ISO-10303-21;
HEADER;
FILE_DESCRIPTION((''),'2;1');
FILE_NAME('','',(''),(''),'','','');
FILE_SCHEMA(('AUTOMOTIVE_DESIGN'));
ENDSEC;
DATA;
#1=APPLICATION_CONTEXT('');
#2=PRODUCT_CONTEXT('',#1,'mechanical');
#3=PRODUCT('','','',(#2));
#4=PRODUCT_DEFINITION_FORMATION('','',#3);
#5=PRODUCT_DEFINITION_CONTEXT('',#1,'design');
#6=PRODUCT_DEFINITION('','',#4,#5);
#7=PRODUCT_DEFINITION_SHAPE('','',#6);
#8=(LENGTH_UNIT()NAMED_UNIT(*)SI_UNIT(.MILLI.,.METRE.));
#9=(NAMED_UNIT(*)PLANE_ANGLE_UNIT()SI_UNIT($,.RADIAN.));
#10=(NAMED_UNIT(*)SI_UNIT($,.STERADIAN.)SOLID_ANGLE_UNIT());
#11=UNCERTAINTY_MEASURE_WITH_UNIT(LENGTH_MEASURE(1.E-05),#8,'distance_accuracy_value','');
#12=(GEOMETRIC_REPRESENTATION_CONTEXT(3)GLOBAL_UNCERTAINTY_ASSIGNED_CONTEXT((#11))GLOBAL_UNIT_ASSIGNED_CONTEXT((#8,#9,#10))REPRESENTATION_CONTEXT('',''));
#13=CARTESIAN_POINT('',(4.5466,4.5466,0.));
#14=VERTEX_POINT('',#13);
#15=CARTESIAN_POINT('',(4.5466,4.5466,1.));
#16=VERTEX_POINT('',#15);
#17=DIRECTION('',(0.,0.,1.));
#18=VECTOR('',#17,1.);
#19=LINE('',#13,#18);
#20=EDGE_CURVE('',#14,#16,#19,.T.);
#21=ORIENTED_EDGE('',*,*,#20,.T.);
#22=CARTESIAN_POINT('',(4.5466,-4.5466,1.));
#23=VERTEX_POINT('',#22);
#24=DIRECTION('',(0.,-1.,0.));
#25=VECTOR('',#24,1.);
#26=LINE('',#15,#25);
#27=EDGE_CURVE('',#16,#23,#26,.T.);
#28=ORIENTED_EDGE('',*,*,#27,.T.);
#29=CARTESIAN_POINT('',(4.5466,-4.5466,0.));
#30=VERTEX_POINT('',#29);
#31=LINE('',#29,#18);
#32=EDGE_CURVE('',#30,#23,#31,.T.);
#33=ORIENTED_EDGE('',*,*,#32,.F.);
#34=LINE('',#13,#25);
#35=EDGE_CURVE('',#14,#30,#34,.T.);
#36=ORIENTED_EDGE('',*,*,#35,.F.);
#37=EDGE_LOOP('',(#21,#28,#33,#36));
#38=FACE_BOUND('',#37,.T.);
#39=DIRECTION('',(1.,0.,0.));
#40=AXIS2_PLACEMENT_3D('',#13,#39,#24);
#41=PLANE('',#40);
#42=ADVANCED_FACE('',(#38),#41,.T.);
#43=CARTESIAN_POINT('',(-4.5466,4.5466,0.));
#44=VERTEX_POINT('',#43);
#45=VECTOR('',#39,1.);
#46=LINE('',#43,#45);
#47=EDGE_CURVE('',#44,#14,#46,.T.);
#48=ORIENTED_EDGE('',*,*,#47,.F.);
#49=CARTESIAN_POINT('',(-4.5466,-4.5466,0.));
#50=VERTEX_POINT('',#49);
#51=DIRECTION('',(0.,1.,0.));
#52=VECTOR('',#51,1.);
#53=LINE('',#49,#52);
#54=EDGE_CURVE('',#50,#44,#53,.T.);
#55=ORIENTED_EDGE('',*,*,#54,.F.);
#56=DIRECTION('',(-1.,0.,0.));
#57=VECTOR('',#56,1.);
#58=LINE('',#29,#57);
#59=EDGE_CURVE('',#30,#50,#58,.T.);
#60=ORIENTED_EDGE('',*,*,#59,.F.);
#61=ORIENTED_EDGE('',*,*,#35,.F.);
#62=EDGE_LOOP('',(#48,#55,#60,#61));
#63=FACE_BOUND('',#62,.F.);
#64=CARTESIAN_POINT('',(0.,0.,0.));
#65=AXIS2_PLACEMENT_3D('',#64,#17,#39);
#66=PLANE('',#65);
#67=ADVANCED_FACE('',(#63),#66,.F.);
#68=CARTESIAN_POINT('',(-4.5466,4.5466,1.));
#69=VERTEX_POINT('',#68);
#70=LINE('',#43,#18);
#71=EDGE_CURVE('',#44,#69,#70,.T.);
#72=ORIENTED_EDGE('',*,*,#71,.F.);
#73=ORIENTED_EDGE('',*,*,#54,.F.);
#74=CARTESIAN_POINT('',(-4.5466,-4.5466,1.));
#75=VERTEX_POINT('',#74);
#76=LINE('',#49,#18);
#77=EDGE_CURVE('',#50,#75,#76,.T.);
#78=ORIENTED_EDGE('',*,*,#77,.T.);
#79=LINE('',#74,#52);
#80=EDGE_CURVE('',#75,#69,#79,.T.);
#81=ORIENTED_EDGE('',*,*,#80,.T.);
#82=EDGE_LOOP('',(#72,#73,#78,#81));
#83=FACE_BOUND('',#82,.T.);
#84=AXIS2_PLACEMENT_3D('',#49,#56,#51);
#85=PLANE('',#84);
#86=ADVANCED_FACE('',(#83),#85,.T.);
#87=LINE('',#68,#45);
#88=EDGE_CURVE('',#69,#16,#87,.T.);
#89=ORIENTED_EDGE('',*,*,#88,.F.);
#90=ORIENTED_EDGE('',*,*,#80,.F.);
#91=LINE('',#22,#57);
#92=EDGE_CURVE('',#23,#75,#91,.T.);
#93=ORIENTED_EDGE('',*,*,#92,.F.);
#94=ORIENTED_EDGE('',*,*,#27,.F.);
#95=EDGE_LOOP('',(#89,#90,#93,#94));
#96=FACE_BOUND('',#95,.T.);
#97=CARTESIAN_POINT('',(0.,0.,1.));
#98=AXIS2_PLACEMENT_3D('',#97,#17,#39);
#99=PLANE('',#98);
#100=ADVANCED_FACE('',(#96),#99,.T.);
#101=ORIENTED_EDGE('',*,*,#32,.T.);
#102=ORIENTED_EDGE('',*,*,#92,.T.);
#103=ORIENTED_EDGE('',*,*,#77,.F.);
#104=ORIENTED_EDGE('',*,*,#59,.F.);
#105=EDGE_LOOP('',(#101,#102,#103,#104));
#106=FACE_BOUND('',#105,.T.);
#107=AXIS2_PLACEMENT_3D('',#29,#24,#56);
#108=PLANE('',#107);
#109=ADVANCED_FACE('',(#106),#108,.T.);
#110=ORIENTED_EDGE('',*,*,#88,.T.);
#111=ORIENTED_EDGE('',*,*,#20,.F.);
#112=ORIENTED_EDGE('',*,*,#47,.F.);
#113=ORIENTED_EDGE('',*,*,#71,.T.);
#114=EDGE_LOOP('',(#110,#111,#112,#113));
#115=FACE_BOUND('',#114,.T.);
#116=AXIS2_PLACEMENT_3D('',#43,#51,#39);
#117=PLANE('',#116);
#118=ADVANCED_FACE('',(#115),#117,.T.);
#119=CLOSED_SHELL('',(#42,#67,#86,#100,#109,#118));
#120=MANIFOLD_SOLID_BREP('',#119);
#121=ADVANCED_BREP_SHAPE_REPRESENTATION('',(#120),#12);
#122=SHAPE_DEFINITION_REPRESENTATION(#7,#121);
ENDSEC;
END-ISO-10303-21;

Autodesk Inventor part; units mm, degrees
ref_plane "YZ Plane" through (0, 0, 0) normal (1, 0, 0) x (0, 1, 0)
ref_plane "XZ Plane" through (0, 0, 0) normal (0, 1, 0) x (-1, 0, 0)
ref_plane "XY Plane" through (0, 0, 0) normal (0, 0, 1) x (1, 0, 0)
sketch "TQFP32-08, ATMEGA328_62" plane through (0, 0, 0) normal (0, 0, 1) x (1, 0, 0)
  line L0 (-4.5466, 4.5466) -> (4.5466, 4.5466)
  line L1 (4.5466, 4.5466) -> (4.5466, -4.5466)
  line L2 (4.5466, -4.5466) -> (-4.5466, -4.5466)
  line L3 (-4.5466, -4.5466) -> (-4.5466, 4.5466)
extrude "Extrusion1" add sketch "TQFP32-08, ATMEGA328_62" along normal blind 1
properties part number "ATMEGA328"
